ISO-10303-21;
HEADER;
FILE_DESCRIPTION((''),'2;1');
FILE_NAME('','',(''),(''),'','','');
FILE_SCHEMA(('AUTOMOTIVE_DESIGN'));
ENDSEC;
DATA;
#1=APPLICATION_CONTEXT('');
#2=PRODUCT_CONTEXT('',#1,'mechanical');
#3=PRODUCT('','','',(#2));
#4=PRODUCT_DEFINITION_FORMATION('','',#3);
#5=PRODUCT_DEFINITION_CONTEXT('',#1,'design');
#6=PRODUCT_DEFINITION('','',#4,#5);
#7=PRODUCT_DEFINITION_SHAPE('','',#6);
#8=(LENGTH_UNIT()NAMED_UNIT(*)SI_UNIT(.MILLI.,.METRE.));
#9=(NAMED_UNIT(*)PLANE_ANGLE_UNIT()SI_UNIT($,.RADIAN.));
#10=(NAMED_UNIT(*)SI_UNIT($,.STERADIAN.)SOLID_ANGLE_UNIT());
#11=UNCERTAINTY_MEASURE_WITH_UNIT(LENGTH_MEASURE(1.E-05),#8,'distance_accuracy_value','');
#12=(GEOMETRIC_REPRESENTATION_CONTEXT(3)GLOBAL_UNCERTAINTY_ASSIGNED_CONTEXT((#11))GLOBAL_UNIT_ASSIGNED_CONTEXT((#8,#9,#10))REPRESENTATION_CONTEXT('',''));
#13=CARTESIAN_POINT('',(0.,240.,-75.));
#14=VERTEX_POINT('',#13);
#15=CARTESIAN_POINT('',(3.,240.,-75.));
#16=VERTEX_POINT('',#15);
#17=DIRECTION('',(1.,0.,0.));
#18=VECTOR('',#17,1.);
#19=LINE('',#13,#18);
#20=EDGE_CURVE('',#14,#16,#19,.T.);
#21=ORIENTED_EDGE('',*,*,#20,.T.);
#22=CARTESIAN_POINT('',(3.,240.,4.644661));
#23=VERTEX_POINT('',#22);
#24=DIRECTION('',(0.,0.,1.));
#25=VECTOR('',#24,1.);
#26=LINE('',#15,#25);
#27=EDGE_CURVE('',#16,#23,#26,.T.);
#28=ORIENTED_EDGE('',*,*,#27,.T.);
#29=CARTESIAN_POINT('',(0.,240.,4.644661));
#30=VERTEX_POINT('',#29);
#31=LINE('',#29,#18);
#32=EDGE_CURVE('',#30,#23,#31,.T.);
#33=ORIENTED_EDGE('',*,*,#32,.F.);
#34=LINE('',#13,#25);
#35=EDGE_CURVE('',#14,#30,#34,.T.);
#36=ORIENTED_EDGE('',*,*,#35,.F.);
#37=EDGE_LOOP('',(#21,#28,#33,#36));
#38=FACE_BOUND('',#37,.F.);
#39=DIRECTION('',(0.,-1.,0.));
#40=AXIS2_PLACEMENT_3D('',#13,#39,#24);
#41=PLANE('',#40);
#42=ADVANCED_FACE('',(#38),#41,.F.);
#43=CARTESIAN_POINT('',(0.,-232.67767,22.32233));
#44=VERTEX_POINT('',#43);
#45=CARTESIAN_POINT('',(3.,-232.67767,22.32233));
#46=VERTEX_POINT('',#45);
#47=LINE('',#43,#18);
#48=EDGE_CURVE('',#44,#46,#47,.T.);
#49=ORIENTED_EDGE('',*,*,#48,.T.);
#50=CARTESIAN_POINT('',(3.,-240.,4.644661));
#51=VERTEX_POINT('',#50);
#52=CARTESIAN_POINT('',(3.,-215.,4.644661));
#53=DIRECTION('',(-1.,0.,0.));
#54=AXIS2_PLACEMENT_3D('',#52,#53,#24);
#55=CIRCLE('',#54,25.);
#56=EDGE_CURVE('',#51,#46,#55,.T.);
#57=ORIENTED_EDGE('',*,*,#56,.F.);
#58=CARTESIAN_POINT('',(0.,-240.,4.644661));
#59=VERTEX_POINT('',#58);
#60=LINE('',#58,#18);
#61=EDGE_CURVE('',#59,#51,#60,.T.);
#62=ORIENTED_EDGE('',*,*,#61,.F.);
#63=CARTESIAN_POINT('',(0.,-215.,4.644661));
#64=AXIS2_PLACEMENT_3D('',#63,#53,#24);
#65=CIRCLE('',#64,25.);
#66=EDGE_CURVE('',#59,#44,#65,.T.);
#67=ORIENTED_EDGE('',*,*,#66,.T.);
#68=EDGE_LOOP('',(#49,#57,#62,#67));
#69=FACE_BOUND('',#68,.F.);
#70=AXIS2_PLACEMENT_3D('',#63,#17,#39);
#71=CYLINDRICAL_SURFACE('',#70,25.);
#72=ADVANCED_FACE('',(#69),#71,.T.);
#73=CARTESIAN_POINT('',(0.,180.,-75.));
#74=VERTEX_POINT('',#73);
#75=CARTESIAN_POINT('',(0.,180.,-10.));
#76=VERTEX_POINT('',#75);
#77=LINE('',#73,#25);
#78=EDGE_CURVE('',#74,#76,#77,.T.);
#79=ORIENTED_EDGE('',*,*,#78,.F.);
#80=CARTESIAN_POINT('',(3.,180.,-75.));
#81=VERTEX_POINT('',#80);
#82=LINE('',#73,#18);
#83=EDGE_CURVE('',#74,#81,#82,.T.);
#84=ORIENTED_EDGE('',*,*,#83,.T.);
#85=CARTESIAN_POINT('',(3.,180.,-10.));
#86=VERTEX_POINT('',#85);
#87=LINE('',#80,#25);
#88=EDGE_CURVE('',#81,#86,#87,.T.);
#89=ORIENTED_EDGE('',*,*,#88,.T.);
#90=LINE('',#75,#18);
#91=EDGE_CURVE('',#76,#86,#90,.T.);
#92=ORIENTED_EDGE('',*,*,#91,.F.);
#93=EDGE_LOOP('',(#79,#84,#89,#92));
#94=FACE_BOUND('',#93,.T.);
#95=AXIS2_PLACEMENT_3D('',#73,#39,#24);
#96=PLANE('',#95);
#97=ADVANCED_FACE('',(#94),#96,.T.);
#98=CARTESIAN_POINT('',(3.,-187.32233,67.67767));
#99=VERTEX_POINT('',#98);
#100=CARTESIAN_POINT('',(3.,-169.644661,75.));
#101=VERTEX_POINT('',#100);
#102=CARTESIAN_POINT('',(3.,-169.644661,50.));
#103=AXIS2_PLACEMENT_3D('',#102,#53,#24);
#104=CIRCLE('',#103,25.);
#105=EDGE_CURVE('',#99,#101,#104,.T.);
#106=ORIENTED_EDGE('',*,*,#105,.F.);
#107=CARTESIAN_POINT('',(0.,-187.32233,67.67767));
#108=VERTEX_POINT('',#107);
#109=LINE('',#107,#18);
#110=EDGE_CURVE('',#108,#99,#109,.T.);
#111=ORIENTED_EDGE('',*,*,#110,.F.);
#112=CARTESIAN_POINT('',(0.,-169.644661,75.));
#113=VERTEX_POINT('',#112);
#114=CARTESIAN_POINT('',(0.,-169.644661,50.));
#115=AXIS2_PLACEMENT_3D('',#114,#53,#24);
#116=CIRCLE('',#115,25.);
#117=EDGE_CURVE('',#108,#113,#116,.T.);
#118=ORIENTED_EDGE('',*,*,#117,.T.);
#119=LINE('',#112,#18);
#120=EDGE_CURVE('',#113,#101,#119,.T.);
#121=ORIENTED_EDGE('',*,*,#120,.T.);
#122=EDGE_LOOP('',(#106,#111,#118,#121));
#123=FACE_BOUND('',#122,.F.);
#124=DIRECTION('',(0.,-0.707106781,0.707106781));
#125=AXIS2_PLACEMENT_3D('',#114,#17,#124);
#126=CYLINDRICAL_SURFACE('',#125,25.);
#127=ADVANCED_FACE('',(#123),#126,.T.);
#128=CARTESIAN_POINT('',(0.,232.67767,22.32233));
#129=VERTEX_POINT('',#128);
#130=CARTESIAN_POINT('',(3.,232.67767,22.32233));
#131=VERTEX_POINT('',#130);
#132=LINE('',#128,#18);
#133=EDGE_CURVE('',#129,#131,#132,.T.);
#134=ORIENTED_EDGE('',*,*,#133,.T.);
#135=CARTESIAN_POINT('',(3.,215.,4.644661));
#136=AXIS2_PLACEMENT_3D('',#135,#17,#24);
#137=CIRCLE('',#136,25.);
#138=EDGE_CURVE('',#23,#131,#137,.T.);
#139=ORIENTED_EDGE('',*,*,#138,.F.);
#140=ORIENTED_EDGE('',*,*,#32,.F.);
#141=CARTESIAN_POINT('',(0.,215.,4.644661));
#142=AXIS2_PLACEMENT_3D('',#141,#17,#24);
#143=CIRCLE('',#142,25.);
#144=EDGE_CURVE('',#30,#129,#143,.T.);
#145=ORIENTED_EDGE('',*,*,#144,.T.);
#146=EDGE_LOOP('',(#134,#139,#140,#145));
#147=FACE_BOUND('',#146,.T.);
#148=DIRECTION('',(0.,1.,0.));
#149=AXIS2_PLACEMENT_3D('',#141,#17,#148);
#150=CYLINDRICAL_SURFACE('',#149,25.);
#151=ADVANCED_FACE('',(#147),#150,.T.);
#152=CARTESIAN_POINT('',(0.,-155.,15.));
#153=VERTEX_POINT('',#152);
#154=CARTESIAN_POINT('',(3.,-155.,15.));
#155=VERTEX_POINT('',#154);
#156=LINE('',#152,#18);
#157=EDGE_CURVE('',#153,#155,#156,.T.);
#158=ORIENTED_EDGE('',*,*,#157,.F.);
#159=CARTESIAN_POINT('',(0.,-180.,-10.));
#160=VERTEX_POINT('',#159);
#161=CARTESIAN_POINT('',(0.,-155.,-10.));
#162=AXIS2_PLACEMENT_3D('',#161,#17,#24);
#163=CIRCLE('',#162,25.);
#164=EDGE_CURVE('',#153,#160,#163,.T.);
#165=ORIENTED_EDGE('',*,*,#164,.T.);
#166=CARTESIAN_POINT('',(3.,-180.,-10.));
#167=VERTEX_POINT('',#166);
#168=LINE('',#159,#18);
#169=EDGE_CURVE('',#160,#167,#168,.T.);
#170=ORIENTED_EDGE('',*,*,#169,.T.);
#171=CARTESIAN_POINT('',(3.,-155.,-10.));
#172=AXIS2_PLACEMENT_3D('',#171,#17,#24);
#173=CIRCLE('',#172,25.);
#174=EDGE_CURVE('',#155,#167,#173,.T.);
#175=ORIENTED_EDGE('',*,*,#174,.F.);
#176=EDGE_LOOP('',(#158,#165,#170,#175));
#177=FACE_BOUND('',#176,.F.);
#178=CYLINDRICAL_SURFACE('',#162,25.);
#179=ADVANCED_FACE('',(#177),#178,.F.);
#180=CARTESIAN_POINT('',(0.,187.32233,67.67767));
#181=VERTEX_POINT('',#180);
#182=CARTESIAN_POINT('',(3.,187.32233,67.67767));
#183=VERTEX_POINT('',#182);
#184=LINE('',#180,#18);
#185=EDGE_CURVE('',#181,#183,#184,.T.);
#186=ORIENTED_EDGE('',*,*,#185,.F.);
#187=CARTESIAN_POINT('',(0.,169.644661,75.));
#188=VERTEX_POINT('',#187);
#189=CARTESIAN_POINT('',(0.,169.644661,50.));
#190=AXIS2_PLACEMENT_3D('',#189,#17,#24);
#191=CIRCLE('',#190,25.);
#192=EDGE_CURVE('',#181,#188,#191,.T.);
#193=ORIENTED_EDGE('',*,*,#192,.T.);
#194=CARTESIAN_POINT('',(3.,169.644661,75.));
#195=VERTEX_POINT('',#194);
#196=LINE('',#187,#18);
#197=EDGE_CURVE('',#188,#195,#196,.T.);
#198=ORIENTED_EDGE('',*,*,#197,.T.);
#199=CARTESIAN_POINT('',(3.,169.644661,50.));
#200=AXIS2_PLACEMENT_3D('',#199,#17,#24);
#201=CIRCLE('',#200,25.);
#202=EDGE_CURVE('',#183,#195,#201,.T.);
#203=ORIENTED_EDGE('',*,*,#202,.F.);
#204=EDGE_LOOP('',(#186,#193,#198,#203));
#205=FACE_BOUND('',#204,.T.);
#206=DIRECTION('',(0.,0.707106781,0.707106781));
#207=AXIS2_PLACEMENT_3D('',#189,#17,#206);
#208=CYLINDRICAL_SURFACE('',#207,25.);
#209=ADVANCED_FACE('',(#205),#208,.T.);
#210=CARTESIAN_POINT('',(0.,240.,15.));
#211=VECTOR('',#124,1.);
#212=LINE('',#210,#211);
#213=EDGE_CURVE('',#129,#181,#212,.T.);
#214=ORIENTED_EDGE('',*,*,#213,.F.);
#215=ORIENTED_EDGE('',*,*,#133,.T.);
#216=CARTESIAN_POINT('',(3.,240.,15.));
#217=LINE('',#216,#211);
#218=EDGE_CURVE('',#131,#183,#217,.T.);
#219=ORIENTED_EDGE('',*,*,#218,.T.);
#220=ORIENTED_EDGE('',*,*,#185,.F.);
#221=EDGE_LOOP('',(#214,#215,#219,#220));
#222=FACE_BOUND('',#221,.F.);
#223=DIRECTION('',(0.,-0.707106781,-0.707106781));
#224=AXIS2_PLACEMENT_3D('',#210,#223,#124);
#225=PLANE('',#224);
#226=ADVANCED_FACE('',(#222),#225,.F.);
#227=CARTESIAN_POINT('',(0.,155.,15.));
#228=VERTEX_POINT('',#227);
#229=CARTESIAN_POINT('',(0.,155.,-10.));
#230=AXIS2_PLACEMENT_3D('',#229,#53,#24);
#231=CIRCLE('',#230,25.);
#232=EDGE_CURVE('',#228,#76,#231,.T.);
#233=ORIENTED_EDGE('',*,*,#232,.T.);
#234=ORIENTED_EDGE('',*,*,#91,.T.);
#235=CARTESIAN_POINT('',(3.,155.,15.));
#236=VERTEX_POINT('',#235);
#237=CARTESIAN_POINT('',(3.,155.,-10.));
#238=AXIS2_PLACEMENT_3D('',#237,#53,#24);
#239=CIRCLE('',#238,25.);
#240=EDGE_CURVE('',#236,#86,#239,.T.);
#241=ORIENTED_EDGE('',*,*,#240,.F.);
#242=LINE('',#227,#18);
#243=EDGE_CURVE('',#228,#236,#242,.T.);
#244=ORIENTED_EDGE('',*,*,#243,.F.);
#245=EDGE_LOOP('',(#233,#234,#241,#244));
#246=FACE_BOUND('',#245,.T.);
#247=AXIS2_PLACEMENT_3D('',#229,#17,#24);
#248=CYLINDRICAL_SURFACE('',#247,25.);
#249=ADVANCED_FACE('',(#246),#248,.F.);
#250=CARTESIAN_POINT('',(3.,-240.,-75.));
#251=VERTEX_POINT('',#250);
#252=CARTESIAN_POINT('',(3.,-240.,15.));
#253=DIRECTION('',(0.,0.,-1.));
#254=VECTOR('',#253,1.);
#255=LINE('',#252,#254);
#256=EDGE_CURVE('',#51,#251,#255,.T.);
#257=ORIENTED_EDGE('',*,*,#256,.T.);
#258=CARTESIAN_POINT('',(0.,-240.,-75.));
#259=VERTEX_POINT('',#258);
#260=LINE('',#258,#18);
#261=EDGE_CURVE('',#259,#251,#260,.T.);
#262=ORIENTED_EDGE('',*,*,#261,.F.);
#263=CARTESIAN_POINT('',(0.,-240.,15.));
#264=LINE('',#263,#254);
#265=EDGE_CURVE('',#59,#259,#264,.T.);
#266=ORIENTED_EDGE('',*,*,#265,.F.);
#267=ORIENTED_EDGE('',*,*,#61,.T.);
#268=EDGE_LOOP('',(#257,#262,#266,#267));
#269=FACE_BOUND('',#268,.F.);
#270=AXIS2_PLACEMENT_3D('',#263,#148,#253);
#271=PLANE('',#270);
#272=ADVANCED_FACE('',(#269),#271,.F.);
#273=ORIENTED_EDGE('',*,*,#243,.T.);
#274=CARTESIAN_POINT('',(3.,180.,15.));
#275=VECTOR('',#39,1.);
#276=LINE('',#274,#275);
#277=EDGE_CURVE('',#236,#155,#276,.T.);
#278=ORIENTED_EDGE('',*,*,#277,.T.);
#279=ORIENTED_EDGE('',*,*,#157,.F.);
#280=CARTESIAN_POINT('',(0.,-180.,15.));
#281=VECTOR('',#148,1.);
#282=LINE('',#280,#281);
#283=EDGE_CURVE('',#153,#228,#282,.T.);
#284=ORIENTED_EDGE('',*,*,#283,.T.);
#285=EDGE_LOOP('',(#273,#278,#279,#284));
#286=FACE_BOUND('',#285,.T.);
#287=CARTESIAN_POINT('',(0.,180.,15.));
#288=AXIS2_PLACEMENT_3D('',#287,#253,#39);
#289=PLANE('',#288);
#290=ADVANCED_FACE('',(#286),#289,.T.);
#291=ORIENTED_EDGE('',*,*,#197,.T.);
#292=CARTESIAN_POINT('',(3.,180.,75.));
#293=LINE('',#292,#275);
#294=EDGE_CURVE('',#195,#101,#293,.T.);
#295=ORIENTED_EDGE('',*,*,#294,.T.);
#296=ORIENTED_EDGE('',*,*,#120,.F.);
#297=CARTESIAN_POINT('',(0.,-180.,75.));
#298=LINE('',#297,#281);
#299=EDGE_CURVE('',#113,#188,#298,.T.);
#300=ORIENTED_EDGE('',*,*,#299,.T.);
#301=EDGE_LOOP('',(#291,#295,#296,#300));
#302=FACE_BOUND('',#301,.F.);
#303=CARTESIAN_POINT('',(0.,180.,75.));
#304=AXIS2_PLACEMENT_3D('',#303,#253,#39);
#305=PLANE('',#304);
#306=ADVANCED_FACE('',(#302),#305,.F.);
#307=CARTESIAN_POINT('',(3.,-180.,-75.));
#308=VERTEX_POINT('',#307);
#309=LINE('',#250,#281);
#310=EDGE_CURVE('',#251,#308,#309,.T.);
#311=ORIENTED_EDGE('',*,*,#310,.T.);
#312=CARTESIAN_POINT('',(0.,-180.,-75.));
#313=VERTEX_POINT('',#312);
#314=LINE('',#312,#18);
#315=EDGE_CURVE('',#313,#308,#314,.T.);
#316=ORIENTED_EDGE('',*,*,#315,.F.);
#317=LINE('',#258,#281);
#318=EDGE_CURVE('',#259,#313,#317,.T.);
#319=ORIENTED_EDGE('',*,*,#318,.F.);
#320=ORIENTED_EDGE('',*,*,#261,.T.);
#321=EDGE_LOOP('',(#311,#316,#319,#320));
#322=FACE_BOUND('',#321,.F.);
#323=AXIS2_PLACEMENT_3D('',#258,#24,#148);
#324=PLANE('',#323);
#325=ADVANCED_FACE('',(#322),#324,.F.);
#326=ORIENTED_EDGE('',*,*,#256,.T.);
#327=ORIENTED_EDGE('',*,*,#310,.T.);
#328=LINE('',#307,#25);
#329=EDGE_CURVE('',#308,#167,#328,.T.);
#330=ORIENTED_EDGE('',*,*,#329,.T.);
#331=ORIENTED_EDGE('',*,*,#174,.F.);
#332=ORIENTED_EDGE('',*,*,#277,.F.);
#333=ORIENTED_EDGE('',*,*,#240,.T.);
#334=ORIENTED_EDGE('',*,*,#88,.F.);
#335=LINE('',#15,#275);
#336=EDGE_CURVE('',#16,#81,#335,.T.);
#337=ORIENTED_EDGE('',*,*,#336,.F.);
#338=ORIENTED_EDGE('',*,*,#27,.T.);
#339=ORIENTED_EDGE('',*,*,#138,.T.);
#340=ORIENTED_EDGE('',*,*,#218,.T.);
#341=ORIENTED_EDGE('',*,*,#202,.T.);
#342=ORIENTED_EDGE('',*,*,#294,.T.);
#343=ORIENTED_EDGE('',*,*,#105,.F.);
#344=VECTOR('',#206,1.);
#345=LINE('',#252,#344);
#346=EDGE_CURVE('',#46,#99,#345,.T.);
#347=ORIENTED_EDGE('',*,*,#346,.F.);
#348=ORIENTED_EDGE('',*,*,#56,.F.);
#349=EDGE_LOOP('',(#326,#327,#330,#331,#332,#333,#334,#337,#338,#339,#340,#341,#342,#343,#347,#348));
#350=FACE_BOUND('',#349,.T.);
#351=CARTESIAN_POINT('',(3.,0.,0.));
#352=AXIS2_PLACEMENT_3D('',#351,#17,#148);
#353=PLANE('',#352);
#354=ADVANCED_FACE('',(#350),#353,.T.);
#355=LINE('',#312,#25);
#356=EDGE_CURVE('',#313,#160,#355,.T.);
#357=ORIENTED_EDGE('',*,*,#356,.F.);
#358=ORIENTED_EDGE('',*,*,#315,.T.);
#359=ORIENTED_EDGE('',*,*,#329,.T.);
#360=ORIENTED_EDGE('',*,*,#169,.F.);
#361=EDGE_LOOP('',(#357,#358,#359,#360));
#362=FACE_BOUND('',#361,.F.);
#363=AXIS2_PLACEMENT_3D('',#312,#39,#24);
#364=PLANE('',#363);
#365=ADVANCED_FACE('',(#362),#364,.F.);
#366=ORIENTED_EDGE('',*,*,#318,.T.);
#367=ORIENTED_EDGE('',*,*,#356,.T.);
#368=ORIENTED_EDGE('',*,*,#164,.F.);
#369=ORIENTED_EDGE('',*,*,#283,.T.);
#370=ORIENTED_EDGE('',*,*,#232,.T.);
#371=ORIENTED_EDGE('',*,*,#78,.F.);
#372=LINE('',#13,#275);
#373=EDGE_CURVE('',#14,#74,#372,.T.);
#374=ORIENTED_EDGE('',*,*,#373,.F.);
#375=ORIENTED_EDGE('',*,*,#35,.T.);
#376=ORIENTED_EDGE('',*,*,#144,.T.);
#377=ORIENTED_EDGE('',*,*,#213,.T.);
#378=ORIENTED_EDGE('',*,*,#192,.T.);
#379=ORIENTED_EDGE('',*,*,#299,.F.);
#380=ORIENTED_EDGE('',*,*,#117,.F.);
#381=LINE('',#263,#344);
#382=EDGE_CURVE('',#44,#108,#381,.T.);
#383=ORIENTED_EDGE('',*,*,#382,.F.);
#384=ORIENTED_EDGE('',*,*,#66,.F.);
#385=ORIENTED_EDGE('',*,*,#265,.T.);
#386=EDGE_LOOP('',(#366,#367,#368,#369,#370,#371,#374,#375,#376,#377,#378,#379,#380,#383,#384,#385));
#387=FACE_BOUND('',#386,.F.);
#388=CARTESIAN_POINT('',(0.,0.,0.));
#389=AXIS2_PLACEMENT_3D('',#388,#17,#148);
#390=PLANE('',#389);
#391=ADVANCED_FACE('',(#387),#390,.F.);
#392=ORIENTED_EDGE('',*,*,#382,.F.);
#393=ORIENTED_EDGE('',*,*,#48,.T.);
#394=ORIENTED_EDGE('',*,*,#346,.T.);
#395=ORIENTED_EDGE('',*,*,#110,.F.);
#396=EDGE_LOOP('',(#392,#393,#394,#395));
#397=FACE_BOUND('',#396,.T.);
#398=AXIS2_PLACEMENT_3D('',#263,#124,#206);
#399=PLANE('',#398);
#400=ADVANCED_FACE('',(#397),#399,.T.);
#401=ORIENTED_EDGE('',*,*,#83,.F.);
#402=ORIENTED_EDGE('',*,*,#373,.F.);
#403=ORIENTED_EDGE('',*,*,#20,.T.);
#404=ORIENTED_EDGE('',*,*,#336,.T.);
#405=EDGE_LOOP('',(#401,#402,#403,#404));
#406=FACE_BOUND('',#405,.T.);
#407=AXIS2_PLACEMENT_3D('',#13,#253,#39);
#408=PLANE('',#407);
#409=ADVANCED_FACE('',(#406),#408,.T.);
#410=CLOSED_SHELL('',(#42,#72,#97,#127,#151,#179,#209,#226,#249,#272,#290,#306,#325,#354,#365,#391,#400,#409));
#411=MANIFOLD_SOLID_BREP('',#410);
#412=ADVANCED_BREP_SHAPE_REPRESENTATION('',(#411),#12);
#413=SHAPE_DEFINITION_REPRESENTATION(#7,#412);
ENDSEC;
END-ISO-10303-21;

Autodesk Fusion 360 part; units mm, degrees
sketch "Sketch1" plane through (0, 0, 0) normal (1, 0, 0) x (0, 1, 0)
  line L0 (180, 75) -> (-180, 75)
  line L1 (-240, 15) -> (-240, -75)
  line L2 (240, -75) -> (240, 15)
  line L3 (-240, -75) -> (-180, -75)
  line L4 (-180, -75) -> (-180, 75)
  line L5 (-240, 15) -> (-240, -75)
  line L6 (240, -75) -> (180, -75)
  line L7 (180, -75) -> (180, 75)
  line L8 (240, 15) -> (240, -75)
  line L9 (-180, 75) -> (180, 75)
  line L10 (240, 15) -> (-240, 15)
  line L11 (-240, 15) -> (-180, 75)
  line L12 (240, 15) -> (180, 75)
  line L13 (-240, -75) -> (-180, -75)
  line L14 (180, -75) -> (240, -75)
  line L15 (194.2857, 60.7143) -> (48, 15) construction
  line L16 (-194.2857, 60.7143) -> (-48, 15) construction
  line L17 (180, -56.25) -> (240, -75) construction
  line L18 (0, 55) -> (5, 55)
  line L19 (5, 35) -> (0, 35)
  line L20 (5, 65) -> (10, 65)
  line L21 (10, 65) -> (10, 25)
  line L22 (10, 25) -> (5, 25)
  line L23 (0, 75) -> (0, 55)
  line L24 (0, 35) -> (0, 15)
  line L25 (5, 25) -> (5, 35)
  line L26 (5, 55) -> (5, 65)
  dimension "d1" = 480
  dimension "d3" = 60
  dimension "d5" = 60
extrude "Extrude1" add sketch "Sketch1" along normal blind 3
sketch "Sketch2" plane through (0, 0, 0) normal (-1, 0, 0) x (0, -1, 0)
  line L0 (-180, -75) -> (-180, 15)
  line L1 (-180, 15) -> (180, 15)
  line L2 (180, 15) -> (180, -75)
  line L3 (180, -75) -> (240, -75)
  line L4 (240, -75) -> (240, 15)
  line L5 (240, 15) -> (180, 75)
  line L6 (180, 75) -> (-180, 75)
  line L7 (-180, 75) -> (-240, 15)
  line L8 (-240, 15) -> (-240, -75)
  line L9 (-240, -75) -> (-180, -75)
  line L10 (0, 55) -> (5, 55)
  line L11 (5, 35) -> (0, 35)
  line L12 (5, 65) -> (10, 65)
  line L13 (10, 65) -> (10, 25)
  line L14 (10, 25) -> (5, 25)
  line L15 (5, 25) -> (5, 35)
  line L16 (5, 55) -> (5, 65)
  line L17 (0, 55) -> (0, 75)
  line L18 (0, 35) -> (0, 15)
fillet "Fillet1" radius 25 2 edges at (1.5, -180, 15) (1.5, 180, 15)
fillet "Fillet2" radius 25 4 edges at (1.5, -240, 15) (1.5, -180, 75) (1.5, 180, 75) (1.5, 240, 15)
sketch "Sketch3" plane through (3, 0, 0) normal (1, 0, 0) x (0, 1, 0)
  arc A0 (240, 4.6447) -> (232.6777, 22.3223) centre (215, 4.6447) ccw
  line L0 (232.6777, 22.3223) -> (187.3223, 67.6777)
  arc A1 (187.3223, 67.6777) -> (169.6447, 75) centre (169.6447, 50) ccw
  line L1 (169.6447, 75) -> (-169.6447, 75)
  arc A2 (-169.6447, 75) -> (-187.3223, 67.6777) centre (-169.6447, 50) ccw
  line L2 (-187.3223, 67.6777) -> (-232.6777, 22.3223)
  arc A3 (-232.6777, 22.3223) -> (-240, 4.6447) centre (-215, 4.6447) ccw
  line L3 (-240, 4.6447) -> (-240, -75)
  line L4 (-240, -75) -> (-180, -75)
  line L5 (-180, -75) -> (-180, -10)
  arc A4 (-155, 15) -> (-180, -10) centre (-155, -10) ccw
  line L6 (-155, 15) -> (155, 15)
  arc A5 (180, -10) -> (155, 15) centre (155, -10) ccw
  line L7 (180, -10) -> (180, -75)
  line L8 (180, -75) -> (240, -75)
  line L9 (240, -75) -> (240, 4.6447)
